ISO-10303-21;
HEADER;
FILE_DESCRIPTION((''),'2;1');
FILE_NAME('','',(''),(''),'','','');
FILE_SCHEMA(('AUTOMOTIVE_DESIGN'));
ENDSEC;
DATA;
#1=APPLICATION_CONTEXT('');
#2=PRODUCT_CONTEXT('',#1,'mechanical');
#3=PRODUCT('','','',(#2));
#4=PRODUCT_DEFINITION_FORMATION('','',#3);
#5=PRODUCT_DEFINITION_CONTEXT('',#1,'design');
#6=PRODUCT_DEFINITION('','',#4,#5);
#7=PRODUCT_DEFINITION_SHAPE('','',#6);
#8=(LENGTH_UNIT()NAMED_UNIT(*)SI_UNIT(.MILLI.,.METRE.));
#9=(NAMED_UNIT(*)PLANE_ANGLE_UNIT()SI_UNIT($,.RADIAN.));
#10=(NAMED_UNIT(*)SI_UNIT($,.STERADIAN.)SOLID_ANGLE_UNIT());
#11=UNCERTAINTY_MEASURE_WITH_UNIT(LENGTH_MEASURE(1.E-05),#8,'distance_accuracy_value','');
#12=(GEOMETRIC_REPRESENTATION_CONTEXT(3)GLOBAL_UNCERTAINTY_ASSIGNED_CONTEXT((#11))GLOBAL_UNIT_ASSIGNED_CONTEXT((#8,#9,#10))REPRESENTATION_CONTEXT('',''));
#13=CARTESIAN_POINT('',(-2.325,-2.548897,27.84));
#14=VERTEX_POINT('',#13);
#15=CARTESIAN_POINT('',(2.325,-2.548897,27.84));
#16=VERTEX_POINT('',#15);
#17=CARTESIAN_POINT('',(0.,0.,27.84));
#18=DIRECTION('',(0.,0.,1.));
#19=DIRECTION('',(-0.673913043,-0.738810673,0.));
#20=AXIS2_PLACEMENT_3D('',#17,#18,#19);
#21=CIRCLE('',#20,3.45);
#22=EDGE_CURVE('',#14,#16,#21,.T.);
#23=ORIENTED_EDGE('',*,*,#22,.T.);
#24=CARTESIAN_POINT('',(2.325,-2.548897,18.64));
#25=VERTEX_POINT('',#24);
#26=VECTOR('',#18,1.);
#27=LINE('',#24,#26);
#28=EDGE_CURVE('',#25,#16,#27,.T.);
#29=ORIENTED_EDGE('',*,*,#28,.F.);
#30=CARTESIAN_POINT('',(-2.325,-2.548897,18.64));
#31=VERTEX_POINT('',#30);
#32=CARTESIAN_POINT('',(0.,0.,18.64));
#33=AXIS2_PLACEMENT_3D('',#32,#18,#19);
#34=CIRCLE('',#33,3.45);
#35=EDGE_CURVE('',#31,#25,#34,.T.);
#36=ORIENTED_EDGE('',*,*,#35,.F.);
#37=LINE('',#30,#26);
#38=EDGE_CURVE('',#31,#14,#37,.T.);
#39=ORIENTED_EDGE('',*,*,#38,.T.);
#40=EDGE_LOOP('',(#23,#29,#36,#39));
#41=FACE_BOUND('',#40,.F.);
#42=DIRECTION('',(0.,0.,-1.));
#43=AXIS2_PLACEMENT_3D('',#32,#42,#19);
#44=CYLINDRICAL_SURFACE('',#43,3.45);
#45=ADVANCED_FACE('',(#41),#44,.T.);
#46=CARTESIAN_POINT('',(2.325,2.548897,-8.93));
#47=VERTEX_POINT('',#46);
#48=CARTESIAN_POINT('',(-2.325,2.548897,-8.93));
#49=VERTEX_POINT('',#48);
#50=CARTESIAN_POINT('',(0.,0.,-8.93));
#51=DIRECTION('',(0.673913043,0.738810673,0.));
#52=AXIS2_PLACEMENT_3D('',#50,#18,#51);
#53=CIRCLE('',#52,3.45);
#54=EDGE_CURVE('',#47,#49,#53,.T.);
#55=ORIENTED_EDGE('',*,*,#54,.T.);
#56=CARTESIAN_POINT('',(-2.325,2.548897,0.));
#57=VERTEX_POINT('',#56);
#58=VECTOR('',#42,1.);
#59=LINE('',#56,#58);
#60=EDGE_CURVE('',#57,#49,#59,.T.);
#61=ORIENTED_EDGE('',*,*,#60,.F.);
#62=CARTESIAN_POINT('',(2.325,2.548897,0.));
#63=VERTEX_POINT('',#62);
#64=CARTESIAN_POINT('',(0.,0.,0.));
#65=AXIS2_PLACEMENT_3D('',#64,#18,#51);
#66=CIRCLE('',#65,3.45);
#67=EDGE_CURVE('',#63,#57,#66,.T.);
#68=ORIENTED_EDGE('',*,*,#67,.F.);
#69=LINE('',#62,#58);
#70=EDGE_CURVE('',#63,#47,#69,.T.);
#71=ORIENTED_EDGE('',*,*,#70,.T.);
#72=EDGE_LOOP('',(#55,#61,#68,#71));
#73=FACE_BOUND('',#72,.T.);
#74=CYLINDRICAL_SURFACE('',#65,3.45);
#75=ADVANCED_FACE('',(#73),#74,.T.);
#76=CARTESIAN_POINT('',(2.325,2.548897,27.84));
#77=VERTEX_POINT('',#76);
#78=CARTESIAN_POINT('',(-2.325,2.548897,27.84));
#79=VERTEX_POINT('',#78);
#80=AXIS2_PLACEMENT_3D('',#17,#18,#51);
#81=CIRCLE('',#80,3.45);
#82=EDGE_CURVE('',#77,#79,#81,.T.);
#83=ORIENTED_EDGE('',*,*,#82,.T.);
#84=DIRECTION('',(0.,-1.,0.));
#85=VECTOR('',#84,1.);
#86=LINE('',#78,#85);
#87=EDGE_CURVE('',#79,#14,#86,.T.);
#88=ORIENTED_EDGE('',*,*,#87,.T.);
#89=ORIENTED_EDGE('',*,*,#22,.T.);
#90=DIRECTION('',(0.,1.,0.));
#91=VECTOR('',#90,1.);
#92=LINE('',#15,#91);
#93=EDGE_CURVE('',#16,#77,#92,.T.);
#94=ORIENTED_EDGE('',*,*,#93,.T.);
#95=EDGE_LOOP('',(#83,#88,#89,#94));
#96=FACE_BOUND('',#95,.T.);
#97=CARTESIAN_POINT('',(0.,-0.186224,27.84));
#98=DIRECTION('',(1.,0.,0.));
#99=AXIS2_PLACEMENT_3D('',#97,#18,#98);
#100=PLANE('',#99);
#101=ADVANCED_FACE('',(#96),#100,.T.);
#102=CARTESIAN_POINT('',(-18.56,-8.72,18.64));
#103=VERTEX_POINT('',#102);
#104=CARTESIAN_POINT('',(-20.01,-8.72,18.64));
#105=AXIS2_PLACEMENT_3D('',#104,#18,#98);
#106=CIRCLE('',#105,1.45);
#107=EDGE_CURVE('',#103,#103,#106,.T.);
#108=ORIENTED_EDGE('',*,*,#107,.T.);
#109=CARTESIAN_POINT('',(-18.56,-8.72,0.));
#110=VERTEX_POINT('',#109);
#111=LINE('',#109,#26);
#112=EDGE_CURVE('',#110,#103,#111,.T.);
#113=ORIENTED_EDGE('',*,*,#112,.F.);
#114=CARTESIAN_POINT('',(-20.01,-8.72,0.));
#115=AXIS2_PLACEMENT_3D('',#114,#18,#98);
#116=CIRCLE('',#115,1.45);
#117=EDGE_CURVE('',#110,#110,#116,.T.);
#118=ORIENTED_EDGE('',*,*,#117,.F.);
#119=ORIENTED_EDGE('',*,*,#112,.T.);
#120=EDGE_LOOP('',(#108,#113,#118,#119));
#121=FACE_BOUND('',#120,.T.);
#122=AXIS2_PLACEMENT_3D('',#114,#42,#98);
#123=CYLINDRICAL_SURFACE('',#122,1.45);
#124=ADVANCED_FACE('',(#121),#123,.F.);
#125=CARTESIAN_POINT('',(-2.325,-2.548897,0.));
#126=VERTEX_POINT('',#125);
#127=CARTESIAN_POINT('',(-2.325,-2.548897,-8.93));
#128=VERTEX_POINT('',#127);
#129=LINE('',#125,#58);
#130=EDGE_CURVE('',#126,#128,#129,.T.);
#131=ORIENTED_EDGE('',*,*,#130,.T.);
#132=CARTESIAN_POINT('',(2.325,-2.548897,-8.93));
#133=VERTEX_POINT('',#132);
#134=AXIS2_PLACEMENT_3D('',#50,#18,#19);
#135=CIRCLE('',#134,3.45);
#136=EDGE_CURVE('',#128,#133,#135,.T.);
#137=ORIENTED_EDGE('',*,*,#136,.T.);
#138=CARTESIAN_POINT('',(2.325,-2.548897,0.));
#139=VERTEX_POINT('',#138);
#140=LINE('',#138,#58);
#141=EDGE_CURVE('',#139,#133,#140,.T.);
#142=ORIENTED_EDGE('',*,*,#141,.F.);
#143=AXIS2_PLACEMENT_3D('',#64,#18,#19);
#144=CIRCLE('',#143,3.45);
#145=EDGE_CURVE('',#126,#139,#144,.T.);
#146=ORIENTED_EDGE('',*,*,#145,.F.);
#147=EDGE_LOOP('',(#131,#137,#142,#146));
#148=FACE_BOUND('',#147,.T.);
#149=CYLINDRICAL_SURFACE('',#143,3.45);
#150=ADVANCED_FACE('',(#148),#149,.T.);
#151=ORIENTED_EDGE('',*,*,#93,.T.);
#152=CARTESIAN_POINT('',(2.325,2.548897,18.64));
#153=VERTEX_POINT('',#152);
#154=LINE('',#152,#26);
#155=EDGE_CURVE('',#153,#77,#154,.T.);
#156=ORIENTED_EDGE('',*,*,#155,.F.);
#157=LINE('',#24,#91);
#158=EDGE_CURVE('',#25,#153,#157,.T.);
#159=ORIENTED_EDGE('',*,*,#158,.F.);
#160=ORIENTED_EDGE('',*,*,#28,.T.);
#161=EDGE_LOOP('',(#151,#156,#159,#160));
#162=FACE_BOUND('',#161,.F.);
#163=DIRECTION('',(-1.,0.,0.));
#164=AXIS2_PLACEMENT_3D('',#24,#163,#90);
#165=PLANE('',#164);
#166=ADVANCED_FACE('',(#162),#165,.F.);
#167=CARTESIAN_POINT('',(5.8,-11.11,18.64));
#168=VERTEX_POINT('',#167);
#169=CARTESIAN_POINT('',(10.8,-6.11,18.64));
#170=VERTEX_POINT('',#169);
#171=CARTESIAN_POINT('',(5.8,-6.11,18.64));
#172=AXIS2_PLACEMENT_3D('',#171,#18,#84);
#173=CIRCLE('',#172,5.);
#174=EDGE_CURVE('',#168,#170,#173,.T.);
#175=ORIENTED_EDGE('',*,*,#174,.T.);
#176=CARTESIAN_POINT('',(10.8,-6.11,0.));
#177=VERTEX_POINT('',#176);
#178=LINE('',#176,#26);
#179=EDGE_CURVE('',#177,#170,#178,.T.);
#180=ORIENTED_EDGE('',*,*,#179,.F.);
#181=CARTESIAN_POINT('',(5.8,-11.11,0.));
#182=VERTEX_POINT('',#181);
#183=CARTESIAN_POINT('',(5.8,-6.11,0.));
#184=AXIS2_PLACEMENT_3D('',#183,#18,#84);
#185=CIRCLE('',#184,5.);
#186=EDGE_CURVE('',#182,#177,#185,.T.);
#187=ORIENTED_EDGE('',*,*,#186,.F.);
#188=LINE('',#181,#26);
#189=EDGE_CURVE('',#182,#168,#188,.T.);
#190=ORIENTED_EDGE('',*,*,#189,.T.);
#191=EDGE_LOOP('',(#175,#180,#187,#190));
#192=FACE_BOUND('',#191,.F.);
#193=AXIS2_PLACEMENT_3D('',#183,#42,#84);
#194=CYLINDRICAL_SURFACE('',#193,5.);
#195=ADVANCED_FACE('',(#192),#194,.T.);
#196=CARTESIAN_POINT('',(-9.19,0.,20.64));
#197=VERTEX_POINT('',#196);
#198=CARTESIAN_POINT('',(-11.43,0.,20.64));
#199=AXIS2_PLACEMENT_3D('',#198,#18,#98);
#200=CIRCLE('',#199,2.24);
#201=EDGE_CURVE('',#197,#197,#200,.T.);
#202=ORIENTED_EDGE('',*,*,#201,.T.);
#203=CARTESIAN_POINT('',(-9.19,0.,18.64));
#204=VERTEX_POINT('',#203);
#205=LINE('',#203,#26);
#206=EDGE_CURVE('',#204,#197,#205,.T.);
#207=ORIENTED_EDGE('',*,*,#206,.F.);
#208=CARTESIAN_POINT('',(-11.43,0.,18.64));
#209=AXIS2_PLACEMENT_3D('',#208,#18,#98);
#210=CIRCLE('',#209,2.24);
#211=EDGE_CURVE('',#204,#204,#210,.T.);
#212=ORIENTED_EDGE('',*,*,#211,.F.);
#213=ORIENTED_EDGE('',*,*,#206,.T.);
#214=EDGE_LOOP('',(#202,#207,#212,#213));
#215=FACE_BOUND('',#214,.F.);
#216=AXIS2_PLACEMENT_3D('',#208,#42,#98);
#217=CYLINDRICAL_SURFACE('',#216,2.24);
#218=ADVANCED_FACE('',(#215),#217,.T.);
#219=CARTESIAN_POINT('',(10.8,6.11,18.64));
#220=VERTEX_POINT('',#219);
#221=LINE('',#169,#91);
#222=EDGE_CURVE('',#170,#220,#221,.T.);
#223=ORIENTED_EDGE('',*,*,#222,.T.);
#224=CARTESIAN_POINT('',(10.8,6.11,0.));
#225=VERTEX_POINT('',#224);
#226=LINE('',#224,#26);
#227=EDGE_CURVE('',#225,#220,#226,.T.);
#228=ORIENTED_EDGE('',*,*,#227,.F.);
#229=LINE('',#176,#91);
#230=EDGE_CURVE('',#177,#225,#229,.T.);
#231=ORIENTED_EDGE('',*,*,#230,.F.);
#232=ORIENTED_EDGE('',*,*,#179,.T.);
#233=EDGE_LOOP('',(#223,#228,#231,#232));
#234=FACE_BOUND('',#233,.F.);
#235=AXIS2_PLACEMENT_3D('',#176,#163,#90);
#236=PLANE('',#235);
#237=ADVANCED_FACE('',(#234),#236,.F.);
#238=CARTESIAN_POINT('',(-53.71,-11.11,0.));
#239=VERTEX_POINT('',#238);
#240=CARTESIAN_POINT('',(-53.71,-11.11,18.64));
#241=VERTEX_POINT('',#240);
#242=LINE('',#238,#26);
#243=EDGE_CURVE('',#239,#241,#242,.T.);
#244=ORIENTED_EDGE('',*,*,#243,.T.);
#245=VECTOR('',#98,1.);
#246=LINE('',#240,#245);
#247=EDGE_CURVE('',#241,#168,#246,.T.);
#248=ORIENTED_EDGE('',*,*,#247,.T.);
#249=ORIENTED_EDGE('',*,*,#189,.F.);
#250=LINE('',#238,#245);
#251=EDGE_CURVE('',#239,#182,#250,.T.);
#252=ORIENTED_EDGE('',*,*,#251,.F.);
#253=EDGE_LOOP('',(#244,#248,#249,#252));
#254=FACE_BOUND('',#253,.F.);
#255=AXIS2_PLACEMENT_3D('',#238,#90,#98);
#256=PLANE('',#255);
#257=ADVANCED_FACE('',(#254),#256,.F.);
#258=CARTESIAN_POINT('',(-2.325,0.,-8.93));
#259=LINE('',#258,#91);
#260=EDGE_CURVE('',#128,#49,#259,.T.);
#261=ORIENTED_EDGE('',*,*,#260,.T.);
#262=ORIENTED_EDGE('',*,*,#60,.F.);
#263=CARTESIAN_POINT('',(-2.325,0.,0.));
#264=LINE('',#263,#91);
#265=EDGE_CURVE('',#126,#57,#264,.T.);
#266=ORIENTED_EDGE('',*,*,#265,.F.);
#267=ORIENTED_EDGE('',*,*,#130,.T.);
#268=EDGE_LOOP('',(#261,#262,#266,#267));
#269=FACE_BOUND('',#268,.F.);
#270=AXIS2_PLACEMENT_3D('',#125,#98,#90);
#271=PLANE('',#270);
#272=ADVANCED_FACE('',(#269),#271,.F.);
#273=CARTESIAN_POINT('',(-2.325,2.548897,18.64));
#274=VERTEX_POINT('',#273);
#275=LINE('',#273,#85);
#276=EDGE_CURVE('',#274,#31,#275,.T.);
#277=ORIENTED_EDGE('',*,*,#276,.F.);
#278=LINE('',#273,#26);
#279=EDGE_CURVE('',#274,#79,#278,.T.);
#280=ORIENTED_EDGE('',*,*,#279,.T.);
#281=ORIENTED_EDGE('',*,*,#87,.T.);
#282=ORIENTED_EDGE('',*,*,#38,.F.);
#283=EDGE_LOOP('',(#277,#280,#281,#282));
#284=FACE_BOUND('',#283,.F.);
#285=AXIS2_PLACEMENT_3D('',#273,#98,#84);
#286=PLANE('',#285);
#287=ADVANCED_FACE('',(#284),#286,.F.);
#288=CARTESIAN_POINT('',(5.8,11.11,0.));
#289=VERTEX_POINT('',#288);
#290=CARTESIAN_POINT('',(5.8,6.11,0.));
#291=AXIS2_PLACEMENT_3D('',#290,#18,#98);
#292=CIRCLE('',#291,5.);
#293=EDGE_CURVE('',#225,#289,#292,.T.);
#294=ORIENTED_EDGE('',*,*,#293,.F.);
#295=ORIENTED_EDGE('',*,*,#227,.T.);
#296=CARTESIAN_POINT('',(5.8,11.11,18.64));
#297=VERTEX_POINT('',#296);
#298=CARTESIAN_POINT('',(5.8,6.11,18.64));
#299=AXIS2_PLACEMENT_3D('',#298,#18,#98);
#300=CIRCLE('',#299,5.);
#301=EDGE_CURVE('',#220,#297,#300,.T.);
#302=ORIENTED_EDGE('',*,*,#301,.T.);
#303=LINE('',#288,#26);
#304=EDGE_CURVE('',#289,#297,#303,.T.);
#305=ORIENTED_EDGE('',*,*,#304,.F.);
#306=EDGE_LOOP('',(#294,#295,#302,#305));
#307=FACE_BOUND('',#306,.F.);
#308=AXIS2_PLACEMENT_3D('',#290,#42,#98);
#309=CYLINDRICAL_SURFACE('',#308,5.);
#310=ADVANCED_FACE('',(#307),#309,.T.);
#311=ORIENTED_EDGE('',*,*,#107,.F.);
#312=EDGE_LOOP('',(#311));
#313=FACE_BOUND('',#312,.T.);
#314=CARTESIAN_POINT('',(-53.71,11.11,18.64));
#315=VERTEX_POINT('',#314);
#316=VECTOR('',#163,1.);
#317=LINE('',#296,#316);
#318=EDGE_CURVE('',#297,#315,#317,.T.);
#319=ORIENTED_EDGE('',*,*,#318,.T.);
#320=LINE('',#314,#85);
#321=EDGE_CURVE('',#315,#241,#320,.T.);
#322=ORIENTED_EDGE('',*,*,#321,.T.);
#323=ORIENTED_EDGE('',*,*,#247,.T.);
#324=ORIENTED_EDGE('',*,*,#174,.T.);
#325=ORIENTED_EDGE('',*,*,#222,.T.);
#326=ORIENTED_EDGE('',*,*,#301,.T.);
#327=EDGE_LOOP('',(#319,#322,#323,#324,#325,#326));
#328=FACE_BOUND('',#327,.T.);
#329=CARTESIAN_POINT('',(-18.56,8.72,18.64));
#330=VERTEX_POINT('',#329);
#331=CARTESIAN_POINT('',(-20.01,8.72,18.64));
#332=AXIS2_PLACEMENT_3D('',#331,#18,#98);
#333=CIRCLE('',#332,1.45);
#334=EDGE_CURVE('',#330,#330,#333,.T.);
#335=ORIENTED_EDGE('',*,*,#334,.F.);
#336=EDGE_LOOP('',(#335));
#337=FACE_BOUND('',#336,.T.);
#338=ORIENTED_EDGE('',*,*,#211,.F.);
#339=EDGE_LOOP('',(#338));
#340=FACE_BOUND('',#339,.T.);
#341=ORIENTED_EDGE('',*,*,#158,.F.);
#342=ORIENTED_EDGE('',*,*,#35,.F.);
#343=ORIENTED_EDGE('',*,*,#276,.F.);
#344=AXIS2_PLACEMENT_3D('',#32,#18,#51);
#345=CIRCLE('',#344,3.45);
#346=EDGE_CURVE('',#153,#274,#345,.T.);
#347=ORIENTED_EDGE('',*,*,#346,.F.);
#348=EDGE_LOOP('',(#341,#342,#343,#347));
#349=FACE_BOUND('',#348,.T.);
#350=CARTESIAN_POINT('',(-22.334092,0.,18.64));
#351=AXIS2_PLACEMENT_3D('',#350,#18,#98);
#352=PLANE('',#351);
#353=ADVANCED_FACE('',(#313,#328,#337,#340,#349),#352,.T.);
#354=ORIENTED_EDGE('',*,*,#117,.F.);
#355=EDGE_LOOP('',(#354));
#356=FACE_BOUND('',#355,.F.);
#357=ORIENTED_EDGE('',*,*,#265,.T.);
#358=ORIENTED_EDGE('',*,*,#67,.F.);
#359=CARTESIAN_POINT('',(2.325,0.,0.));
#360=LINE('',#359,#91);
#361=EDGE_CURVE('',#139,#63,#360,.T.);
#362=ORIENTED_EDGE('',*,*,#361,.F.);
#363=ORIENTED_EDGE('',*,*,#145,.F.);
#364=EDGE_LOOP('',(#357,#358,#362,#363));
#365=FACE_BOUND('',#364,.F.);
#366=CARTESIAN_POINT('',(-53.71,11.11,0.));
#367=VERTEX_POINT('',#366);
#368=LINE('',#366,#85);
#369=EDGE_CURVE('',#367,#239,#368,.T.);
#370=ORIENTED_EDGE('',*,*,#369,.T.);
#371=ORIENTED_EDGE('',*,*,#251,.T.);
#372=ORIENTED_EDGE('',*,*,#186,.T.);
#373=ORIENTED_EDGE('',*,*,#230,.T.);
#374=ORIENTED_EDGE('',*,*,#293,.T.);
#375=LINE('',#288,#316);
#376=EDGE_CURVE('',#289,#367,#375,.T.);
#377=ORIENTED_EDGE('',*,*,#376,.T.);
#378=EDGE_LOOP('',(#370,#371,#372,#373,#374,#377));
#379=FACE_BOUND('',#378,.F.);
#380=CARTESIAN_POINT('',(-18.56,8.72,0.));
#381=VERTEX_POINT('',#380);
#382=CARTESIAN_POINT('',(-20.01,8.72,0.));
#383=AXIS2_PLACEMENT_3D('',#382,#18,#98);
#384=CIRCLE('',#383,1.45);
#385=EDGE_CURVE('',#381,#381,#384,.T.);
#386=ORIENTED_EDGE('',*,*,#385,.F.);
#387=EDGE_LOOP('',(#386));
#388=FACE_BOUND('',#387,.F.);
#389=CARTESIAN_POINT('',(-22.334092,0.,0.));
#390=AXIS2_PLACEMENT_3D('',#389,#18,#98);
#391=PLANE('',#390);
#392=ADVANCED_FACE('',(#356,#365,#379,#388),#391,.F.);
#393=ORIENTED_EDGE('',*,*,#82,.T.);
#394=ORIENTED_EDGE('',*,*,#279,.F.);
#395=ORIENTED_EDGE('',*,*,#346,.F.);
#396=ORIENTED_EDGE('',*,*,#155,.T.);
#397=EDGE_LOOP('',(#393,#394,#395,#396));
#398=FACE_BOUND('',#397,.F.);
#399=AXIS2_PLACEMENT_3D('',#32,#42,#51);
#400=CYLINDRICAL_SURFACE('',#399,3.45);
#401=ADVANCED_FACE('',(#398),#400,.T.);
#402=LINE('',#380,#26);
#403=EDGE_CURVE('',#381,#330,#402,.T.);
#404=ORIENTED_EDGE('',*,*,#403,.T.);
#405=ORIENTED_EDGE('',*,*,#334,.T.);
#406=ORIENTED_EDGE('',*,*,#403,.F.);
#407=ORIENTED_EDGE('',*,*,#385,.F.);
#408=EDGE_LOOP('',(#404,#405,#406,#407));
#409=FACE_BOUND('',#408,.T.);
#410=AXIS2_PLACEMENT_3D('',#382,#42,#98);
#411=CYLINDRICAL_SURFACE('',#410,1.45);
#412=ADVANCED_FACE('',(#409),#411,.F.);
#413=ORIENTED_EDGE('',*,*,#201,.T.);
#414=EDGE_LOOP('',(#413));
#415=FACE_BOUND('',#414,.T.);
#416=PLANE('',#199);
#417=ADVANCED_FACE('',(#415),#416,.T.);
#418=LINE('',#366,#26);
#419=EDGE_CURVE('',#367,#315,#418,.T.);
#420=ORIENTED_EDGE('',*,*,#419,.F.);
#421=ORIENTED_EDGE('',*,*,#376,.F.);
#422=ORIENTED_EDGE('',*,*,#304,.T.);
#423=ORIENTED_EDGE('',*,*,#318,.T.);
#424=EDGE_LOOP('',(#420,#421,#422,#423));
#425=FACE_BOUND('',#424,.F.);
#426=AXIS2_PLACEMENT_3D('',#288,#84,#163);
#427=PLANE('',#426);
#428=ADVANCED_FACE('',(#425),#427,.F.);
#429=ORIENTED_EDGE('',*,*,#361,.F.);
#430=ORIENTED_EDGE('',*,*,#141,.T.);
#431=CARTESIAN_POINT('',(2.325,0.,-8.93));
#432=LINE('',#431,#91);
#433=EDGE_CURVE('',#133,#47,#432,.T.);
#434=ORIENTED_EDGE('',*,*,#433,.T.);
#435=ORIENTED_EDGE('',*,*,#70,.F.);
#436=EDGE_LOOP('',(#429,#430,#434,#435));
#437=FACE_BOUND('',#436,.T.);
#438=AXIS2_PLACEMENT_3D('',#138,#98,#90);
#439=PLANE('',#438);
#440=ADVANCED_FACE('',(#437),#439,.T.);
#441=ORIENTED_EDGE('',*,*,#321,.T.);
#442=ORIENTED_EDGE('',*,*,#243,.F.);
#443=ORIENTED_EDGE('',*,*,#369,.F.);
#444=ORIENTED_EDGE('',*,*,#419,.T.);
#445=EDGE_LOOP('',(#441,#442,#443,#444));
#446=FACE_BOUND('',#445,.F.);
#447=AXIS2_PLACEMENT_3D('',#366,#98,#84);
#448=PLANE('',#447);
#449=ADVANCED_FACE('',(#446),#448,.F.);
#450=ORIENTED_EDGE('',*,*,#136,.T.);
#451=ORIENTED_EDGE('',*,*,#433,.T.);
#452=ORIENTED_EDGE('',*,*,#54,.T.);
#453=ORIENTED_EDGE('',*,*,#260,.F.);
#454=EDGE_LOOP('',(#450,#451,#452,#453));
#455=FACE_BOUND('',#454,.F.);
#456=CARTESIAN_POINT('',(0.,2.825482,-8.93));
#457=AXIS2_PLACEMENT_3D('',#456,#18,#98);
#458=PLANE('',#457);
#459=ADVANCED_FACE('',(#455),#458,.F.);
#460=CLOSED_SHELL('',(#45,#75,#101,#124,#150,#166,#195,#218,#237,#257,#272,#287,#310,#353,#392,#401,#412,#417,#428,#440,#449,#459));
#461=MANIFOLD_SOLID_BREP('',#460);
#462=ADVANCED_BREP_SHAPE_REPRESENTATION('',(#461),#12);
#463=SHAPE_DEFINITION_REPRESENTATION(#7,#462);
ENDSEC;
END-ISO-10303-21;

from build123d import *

# Parameters (mm, degrees)
F0_R     = 1.45
F0_R_2   = 2.24
F0_R_3   = 4.865
F0_R_4   = 3.415
F1_DEPTH = 18.64
F3_DEPTH = 9.2
F4_R     = 2.24
F5_DEPTH = 2
F6_W     = 4.65
F6_H     = 5.0977936404
F7_DEPTH = 8.93


with BuildPart() as f1:
    # F0 (on Top) → F1 (new body)
    with BuildSketch(Plane.XY):
        with BuildLine():
            Line((-53.71, -11.11), (5.8, -11.11))
            ThreePointArc((5.8, -11.11), (9.3355339059, -9.6455339059), (10.8, -6.11))
            Line((10.8, -6.11), (10.8, 6.11))
            ThreePointArc((10.8, 6.11), (9.3355339059, 9.6455339059), (5.8, 11.11))
            Line((5.8, 11.11), (-53.71, 11.11))
            Line((-53.71, 11.11), (-53.71, -11.11))
        make_face()
        with Locations((-20.01, -8.72)):
            Circle(F0_R, mode=Mode.SUBTRACT)
        with Locations((-11.43, 0)):
            Circle(F0_R_2, mode=Mode.SUBTRACT)
        Circle(F0_R_3, mode=Mode.SUBTRACT)
        with Locations((-20.01, 8.72)):
            Circle(F0_R, mode=Mode.SUBTRACT)
        Circle(F0_R_3)
        Circle(F0_R_4, mode=Mode.SUBTRACT)
        Circle(F0_R_4)
        with Locations((-11.43, 0)):
            Circle(F0_R_2)
    extrude(amount=F1_DEPTH)

    # F2 (on face) → F3 (join)
    with BuildSketch(Plane.XY.offset(18.64)):
        with BuildLine():
            Line((-2.325, 2.5488968202), (-2.325, -2.5488968202))
            ThreePointArc((-2.325, -2.5488968202), (0, -3.45), (2.325, -2.5488968202))
            Line((2.325, -2.5488968202), (2.325, 2.5488968202))
            Line((2.325, 2.5488968202), (-2.325, 2.5488968202))
        make_face()
        with BuildLine():
            ThreePointArc((2.325, 2.5488968202), (0, 3.45), (-2.325, 2.5488968202))
            Line((-2.325, 2.5488968202), (2.325, 2.5488968202))
        make_face()
    extrude(amount=F3_DEPTH)

    # F4 (on face) → F5 (join)
    with BuildSketch(Plane.XY.offset(18.64)):
        with Locations((-11.43, 0)):
            Circle(F4_R)
    extrude(amount=F5_DEPTH)

    # F6 (on face) → F7 (join)
    with BuildSketch(Plane.XY):
        with BuildLine():
            Line((-2.325, 2.5488968202), (2.325, 2.5488968202))
            ThreePointArc((2.325, 2.5488968202), (0, 3.45), (-2.325, 2.5488968202))
        make_face()
        with BuildLine():
            ThreePointArc((-2.325, -2.5488968202), (0, -3.45), (2.325, -2.5488968202))
            Line((2.325, -2.5488968202), (-2.325, -2.5488968202))
        make_face()
        Rectangle(F6_W, F6_H)
    extrude(amount=-F7_DEPTH)


solid = f1.part
